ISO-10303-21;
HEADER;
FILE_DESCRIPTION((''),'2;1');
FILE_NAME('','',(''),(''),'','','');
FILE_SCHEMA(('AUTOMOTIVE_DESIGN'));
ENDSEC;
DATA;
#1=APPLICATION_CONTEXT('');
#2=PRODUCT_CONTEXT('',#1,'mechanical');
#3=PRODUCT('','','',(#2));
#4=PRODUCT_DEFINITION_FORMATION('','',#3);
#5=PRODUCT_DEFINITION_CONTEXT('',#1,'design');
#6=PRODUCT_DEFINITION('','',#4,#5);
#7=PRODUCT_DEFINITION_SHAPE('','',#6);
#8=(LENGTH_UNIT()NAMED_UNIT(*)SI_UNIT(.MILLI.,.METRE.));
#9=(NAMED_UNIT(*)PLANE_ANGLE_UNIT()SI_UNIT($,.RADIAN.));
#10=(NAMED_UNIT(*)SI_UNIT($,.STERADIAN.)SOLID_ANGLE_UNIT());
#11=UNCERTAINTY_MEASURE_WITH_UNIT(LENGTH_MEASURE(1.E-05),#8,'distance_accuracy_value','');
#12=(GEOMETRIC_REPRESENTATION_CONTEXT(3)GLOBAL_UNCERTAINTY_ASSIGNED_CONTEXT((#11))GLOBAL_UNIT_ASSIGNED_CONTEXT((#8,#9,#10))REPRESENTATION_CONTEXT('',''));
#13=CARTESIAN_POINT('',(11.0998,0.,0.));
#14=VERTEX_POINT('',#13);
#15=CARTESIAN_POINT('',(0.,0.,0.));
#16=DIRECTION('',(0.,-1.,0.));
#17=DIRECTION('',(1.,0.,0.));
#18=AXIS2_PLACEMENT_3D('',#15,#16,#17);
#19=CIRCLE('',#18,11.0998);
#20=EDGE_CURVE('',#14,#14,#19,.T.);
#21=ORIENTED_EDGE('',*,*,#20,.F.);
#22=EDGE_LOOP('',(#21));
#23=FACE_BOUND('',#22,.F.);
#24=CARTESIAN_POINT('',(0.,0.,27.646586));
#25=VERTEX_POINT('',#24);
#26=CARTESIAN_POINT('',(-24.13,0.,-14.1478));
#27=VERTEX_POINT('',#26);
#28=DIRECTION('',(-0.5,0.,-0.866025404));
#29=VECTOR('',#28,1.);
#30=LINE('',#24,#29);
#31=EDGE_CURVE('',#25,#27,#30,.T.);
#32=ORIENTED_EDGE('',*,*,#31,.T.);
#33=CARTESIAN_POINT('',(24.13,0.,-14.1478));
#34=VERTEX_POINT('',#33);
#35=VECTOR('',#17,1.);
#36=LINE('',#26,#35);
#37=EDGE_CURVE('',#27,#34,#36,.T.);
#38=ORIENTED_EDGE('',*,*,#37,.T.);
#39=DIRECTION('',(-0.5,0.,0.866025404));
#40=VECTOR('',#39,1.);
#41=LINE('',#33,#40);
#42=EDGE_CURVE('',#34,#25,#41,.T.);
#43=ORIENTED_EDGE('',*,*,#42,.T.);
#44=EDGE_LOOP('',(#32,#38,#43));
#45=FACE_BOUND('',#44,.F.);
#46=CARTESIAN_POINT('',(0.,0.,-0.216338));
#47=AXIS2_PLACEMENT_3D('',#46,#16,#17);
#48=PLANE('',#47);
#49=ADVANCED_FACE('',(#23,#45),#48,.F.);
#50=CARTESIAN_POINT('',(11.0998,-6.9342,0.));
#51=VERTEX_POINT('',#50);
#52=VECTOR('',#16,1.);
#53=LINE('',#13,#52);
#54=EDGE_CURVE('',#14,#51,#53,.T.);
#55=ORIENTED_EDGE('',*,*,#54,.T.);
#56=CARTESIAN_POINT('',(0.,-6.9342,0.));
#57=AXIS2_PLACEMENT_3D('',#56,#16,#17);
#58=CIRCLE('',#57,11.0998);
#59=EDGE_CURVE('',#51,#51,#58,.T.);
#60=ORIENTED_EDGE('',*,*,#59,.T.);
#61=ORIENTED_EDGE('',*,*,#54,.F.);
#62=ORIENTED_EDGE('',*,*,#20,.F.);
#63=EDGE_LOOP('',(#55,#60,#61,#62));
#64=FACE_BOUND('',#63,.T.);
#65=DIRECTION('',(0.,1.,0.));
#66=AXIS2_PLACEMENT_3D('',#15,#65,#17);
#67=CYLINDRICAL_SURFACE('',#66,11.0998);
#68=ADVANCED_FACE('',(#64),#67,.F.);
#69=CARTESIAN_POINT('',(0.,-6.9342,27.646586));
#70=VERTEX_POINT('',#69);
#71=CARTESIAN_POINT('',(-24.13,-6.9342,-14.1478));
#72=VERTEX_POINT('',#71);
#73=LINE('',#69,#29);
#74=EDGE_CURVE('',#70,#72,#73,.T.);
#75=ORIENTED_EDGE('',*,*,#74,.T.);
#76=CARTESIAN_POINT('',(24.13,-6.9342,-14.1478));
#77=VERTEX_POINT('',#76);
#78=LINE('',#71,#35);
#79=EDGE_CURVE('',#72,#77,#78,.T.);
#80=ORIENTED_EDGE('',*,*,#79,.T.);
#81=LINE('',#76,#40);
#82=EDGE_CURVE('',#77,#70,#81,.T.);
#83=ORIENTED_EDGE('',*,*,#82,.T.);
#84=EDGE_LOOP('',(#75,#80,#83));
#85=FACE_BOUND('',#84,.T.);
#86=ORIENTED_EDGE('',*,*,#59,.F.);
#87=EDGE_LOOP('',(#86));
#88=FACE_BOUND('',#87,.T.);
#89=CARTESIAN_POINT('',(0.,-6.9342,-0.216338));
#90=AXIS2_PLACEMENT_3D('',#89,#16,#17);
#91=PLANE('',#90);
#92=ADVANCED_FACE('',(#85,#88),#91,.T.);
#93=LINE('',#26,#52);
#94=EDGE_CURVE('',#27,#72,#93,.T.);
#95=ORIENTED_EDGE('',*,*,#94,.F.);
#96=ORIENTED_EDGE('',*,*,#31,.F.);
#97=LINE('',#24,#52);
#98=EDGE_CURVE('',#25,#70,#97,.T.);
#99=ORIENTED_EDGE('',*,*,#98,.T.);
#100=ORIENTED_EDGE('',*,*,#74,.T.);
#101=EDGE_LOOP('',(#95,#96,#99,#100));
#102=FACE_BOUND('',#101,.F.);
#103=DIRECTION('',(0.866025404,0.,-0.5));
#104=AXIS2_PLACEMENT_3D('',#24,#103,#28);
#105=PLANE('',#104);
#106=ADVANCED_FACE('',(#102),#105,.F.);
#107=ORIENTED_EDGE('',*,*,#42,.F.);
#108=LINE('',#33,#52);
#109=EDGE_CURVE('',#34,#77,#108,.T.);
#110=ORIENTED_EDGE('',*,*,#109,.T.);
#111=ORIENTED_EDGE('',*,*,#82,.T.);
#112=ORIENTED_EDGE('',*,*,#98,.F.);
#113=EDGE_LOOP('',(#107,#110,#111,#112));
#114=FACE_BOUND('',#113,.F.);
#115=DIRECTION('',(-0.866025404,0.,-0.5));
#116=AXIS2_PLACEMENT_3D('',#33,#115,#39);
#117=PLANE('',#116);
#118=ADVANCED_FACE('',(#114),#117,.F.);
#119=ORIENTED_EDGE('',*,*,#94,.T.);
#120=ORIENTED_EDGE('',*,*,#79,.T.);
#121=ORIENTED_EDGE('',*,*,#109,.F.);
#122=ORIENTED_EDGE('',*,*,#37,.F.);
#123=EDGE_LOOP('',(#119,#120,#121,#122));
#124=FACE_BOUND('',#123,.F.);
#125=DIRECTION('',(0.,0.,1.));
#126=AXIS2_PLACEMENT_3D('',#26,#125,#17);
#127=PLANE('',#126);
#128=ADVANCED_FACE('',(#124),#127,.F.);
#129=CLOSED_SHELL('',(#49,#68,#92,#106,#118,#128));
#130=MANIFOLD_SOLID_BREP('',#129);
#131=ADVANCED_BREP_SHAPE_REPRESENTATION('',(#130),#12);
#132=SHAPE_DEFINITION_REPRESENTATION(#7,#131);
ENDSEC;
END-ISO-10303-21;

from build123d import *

# Parameters (mm, degrees)
F0_R     = 11.0998
F1_DEPTH = 6.9342


with BuildPart() as f1:
    # F0 (on Front) → F1 (new body)
    with BuildSketch(Plane.XZ):
        Polygon((24.13, -14.1478), (0, 27.646586), (-24.13, -14.1478), align=None)
        Circle(F0_R, mode=Mode.SUBTRACT)
    extrude(amount=F1_DEPTH)


solid = f1.part
